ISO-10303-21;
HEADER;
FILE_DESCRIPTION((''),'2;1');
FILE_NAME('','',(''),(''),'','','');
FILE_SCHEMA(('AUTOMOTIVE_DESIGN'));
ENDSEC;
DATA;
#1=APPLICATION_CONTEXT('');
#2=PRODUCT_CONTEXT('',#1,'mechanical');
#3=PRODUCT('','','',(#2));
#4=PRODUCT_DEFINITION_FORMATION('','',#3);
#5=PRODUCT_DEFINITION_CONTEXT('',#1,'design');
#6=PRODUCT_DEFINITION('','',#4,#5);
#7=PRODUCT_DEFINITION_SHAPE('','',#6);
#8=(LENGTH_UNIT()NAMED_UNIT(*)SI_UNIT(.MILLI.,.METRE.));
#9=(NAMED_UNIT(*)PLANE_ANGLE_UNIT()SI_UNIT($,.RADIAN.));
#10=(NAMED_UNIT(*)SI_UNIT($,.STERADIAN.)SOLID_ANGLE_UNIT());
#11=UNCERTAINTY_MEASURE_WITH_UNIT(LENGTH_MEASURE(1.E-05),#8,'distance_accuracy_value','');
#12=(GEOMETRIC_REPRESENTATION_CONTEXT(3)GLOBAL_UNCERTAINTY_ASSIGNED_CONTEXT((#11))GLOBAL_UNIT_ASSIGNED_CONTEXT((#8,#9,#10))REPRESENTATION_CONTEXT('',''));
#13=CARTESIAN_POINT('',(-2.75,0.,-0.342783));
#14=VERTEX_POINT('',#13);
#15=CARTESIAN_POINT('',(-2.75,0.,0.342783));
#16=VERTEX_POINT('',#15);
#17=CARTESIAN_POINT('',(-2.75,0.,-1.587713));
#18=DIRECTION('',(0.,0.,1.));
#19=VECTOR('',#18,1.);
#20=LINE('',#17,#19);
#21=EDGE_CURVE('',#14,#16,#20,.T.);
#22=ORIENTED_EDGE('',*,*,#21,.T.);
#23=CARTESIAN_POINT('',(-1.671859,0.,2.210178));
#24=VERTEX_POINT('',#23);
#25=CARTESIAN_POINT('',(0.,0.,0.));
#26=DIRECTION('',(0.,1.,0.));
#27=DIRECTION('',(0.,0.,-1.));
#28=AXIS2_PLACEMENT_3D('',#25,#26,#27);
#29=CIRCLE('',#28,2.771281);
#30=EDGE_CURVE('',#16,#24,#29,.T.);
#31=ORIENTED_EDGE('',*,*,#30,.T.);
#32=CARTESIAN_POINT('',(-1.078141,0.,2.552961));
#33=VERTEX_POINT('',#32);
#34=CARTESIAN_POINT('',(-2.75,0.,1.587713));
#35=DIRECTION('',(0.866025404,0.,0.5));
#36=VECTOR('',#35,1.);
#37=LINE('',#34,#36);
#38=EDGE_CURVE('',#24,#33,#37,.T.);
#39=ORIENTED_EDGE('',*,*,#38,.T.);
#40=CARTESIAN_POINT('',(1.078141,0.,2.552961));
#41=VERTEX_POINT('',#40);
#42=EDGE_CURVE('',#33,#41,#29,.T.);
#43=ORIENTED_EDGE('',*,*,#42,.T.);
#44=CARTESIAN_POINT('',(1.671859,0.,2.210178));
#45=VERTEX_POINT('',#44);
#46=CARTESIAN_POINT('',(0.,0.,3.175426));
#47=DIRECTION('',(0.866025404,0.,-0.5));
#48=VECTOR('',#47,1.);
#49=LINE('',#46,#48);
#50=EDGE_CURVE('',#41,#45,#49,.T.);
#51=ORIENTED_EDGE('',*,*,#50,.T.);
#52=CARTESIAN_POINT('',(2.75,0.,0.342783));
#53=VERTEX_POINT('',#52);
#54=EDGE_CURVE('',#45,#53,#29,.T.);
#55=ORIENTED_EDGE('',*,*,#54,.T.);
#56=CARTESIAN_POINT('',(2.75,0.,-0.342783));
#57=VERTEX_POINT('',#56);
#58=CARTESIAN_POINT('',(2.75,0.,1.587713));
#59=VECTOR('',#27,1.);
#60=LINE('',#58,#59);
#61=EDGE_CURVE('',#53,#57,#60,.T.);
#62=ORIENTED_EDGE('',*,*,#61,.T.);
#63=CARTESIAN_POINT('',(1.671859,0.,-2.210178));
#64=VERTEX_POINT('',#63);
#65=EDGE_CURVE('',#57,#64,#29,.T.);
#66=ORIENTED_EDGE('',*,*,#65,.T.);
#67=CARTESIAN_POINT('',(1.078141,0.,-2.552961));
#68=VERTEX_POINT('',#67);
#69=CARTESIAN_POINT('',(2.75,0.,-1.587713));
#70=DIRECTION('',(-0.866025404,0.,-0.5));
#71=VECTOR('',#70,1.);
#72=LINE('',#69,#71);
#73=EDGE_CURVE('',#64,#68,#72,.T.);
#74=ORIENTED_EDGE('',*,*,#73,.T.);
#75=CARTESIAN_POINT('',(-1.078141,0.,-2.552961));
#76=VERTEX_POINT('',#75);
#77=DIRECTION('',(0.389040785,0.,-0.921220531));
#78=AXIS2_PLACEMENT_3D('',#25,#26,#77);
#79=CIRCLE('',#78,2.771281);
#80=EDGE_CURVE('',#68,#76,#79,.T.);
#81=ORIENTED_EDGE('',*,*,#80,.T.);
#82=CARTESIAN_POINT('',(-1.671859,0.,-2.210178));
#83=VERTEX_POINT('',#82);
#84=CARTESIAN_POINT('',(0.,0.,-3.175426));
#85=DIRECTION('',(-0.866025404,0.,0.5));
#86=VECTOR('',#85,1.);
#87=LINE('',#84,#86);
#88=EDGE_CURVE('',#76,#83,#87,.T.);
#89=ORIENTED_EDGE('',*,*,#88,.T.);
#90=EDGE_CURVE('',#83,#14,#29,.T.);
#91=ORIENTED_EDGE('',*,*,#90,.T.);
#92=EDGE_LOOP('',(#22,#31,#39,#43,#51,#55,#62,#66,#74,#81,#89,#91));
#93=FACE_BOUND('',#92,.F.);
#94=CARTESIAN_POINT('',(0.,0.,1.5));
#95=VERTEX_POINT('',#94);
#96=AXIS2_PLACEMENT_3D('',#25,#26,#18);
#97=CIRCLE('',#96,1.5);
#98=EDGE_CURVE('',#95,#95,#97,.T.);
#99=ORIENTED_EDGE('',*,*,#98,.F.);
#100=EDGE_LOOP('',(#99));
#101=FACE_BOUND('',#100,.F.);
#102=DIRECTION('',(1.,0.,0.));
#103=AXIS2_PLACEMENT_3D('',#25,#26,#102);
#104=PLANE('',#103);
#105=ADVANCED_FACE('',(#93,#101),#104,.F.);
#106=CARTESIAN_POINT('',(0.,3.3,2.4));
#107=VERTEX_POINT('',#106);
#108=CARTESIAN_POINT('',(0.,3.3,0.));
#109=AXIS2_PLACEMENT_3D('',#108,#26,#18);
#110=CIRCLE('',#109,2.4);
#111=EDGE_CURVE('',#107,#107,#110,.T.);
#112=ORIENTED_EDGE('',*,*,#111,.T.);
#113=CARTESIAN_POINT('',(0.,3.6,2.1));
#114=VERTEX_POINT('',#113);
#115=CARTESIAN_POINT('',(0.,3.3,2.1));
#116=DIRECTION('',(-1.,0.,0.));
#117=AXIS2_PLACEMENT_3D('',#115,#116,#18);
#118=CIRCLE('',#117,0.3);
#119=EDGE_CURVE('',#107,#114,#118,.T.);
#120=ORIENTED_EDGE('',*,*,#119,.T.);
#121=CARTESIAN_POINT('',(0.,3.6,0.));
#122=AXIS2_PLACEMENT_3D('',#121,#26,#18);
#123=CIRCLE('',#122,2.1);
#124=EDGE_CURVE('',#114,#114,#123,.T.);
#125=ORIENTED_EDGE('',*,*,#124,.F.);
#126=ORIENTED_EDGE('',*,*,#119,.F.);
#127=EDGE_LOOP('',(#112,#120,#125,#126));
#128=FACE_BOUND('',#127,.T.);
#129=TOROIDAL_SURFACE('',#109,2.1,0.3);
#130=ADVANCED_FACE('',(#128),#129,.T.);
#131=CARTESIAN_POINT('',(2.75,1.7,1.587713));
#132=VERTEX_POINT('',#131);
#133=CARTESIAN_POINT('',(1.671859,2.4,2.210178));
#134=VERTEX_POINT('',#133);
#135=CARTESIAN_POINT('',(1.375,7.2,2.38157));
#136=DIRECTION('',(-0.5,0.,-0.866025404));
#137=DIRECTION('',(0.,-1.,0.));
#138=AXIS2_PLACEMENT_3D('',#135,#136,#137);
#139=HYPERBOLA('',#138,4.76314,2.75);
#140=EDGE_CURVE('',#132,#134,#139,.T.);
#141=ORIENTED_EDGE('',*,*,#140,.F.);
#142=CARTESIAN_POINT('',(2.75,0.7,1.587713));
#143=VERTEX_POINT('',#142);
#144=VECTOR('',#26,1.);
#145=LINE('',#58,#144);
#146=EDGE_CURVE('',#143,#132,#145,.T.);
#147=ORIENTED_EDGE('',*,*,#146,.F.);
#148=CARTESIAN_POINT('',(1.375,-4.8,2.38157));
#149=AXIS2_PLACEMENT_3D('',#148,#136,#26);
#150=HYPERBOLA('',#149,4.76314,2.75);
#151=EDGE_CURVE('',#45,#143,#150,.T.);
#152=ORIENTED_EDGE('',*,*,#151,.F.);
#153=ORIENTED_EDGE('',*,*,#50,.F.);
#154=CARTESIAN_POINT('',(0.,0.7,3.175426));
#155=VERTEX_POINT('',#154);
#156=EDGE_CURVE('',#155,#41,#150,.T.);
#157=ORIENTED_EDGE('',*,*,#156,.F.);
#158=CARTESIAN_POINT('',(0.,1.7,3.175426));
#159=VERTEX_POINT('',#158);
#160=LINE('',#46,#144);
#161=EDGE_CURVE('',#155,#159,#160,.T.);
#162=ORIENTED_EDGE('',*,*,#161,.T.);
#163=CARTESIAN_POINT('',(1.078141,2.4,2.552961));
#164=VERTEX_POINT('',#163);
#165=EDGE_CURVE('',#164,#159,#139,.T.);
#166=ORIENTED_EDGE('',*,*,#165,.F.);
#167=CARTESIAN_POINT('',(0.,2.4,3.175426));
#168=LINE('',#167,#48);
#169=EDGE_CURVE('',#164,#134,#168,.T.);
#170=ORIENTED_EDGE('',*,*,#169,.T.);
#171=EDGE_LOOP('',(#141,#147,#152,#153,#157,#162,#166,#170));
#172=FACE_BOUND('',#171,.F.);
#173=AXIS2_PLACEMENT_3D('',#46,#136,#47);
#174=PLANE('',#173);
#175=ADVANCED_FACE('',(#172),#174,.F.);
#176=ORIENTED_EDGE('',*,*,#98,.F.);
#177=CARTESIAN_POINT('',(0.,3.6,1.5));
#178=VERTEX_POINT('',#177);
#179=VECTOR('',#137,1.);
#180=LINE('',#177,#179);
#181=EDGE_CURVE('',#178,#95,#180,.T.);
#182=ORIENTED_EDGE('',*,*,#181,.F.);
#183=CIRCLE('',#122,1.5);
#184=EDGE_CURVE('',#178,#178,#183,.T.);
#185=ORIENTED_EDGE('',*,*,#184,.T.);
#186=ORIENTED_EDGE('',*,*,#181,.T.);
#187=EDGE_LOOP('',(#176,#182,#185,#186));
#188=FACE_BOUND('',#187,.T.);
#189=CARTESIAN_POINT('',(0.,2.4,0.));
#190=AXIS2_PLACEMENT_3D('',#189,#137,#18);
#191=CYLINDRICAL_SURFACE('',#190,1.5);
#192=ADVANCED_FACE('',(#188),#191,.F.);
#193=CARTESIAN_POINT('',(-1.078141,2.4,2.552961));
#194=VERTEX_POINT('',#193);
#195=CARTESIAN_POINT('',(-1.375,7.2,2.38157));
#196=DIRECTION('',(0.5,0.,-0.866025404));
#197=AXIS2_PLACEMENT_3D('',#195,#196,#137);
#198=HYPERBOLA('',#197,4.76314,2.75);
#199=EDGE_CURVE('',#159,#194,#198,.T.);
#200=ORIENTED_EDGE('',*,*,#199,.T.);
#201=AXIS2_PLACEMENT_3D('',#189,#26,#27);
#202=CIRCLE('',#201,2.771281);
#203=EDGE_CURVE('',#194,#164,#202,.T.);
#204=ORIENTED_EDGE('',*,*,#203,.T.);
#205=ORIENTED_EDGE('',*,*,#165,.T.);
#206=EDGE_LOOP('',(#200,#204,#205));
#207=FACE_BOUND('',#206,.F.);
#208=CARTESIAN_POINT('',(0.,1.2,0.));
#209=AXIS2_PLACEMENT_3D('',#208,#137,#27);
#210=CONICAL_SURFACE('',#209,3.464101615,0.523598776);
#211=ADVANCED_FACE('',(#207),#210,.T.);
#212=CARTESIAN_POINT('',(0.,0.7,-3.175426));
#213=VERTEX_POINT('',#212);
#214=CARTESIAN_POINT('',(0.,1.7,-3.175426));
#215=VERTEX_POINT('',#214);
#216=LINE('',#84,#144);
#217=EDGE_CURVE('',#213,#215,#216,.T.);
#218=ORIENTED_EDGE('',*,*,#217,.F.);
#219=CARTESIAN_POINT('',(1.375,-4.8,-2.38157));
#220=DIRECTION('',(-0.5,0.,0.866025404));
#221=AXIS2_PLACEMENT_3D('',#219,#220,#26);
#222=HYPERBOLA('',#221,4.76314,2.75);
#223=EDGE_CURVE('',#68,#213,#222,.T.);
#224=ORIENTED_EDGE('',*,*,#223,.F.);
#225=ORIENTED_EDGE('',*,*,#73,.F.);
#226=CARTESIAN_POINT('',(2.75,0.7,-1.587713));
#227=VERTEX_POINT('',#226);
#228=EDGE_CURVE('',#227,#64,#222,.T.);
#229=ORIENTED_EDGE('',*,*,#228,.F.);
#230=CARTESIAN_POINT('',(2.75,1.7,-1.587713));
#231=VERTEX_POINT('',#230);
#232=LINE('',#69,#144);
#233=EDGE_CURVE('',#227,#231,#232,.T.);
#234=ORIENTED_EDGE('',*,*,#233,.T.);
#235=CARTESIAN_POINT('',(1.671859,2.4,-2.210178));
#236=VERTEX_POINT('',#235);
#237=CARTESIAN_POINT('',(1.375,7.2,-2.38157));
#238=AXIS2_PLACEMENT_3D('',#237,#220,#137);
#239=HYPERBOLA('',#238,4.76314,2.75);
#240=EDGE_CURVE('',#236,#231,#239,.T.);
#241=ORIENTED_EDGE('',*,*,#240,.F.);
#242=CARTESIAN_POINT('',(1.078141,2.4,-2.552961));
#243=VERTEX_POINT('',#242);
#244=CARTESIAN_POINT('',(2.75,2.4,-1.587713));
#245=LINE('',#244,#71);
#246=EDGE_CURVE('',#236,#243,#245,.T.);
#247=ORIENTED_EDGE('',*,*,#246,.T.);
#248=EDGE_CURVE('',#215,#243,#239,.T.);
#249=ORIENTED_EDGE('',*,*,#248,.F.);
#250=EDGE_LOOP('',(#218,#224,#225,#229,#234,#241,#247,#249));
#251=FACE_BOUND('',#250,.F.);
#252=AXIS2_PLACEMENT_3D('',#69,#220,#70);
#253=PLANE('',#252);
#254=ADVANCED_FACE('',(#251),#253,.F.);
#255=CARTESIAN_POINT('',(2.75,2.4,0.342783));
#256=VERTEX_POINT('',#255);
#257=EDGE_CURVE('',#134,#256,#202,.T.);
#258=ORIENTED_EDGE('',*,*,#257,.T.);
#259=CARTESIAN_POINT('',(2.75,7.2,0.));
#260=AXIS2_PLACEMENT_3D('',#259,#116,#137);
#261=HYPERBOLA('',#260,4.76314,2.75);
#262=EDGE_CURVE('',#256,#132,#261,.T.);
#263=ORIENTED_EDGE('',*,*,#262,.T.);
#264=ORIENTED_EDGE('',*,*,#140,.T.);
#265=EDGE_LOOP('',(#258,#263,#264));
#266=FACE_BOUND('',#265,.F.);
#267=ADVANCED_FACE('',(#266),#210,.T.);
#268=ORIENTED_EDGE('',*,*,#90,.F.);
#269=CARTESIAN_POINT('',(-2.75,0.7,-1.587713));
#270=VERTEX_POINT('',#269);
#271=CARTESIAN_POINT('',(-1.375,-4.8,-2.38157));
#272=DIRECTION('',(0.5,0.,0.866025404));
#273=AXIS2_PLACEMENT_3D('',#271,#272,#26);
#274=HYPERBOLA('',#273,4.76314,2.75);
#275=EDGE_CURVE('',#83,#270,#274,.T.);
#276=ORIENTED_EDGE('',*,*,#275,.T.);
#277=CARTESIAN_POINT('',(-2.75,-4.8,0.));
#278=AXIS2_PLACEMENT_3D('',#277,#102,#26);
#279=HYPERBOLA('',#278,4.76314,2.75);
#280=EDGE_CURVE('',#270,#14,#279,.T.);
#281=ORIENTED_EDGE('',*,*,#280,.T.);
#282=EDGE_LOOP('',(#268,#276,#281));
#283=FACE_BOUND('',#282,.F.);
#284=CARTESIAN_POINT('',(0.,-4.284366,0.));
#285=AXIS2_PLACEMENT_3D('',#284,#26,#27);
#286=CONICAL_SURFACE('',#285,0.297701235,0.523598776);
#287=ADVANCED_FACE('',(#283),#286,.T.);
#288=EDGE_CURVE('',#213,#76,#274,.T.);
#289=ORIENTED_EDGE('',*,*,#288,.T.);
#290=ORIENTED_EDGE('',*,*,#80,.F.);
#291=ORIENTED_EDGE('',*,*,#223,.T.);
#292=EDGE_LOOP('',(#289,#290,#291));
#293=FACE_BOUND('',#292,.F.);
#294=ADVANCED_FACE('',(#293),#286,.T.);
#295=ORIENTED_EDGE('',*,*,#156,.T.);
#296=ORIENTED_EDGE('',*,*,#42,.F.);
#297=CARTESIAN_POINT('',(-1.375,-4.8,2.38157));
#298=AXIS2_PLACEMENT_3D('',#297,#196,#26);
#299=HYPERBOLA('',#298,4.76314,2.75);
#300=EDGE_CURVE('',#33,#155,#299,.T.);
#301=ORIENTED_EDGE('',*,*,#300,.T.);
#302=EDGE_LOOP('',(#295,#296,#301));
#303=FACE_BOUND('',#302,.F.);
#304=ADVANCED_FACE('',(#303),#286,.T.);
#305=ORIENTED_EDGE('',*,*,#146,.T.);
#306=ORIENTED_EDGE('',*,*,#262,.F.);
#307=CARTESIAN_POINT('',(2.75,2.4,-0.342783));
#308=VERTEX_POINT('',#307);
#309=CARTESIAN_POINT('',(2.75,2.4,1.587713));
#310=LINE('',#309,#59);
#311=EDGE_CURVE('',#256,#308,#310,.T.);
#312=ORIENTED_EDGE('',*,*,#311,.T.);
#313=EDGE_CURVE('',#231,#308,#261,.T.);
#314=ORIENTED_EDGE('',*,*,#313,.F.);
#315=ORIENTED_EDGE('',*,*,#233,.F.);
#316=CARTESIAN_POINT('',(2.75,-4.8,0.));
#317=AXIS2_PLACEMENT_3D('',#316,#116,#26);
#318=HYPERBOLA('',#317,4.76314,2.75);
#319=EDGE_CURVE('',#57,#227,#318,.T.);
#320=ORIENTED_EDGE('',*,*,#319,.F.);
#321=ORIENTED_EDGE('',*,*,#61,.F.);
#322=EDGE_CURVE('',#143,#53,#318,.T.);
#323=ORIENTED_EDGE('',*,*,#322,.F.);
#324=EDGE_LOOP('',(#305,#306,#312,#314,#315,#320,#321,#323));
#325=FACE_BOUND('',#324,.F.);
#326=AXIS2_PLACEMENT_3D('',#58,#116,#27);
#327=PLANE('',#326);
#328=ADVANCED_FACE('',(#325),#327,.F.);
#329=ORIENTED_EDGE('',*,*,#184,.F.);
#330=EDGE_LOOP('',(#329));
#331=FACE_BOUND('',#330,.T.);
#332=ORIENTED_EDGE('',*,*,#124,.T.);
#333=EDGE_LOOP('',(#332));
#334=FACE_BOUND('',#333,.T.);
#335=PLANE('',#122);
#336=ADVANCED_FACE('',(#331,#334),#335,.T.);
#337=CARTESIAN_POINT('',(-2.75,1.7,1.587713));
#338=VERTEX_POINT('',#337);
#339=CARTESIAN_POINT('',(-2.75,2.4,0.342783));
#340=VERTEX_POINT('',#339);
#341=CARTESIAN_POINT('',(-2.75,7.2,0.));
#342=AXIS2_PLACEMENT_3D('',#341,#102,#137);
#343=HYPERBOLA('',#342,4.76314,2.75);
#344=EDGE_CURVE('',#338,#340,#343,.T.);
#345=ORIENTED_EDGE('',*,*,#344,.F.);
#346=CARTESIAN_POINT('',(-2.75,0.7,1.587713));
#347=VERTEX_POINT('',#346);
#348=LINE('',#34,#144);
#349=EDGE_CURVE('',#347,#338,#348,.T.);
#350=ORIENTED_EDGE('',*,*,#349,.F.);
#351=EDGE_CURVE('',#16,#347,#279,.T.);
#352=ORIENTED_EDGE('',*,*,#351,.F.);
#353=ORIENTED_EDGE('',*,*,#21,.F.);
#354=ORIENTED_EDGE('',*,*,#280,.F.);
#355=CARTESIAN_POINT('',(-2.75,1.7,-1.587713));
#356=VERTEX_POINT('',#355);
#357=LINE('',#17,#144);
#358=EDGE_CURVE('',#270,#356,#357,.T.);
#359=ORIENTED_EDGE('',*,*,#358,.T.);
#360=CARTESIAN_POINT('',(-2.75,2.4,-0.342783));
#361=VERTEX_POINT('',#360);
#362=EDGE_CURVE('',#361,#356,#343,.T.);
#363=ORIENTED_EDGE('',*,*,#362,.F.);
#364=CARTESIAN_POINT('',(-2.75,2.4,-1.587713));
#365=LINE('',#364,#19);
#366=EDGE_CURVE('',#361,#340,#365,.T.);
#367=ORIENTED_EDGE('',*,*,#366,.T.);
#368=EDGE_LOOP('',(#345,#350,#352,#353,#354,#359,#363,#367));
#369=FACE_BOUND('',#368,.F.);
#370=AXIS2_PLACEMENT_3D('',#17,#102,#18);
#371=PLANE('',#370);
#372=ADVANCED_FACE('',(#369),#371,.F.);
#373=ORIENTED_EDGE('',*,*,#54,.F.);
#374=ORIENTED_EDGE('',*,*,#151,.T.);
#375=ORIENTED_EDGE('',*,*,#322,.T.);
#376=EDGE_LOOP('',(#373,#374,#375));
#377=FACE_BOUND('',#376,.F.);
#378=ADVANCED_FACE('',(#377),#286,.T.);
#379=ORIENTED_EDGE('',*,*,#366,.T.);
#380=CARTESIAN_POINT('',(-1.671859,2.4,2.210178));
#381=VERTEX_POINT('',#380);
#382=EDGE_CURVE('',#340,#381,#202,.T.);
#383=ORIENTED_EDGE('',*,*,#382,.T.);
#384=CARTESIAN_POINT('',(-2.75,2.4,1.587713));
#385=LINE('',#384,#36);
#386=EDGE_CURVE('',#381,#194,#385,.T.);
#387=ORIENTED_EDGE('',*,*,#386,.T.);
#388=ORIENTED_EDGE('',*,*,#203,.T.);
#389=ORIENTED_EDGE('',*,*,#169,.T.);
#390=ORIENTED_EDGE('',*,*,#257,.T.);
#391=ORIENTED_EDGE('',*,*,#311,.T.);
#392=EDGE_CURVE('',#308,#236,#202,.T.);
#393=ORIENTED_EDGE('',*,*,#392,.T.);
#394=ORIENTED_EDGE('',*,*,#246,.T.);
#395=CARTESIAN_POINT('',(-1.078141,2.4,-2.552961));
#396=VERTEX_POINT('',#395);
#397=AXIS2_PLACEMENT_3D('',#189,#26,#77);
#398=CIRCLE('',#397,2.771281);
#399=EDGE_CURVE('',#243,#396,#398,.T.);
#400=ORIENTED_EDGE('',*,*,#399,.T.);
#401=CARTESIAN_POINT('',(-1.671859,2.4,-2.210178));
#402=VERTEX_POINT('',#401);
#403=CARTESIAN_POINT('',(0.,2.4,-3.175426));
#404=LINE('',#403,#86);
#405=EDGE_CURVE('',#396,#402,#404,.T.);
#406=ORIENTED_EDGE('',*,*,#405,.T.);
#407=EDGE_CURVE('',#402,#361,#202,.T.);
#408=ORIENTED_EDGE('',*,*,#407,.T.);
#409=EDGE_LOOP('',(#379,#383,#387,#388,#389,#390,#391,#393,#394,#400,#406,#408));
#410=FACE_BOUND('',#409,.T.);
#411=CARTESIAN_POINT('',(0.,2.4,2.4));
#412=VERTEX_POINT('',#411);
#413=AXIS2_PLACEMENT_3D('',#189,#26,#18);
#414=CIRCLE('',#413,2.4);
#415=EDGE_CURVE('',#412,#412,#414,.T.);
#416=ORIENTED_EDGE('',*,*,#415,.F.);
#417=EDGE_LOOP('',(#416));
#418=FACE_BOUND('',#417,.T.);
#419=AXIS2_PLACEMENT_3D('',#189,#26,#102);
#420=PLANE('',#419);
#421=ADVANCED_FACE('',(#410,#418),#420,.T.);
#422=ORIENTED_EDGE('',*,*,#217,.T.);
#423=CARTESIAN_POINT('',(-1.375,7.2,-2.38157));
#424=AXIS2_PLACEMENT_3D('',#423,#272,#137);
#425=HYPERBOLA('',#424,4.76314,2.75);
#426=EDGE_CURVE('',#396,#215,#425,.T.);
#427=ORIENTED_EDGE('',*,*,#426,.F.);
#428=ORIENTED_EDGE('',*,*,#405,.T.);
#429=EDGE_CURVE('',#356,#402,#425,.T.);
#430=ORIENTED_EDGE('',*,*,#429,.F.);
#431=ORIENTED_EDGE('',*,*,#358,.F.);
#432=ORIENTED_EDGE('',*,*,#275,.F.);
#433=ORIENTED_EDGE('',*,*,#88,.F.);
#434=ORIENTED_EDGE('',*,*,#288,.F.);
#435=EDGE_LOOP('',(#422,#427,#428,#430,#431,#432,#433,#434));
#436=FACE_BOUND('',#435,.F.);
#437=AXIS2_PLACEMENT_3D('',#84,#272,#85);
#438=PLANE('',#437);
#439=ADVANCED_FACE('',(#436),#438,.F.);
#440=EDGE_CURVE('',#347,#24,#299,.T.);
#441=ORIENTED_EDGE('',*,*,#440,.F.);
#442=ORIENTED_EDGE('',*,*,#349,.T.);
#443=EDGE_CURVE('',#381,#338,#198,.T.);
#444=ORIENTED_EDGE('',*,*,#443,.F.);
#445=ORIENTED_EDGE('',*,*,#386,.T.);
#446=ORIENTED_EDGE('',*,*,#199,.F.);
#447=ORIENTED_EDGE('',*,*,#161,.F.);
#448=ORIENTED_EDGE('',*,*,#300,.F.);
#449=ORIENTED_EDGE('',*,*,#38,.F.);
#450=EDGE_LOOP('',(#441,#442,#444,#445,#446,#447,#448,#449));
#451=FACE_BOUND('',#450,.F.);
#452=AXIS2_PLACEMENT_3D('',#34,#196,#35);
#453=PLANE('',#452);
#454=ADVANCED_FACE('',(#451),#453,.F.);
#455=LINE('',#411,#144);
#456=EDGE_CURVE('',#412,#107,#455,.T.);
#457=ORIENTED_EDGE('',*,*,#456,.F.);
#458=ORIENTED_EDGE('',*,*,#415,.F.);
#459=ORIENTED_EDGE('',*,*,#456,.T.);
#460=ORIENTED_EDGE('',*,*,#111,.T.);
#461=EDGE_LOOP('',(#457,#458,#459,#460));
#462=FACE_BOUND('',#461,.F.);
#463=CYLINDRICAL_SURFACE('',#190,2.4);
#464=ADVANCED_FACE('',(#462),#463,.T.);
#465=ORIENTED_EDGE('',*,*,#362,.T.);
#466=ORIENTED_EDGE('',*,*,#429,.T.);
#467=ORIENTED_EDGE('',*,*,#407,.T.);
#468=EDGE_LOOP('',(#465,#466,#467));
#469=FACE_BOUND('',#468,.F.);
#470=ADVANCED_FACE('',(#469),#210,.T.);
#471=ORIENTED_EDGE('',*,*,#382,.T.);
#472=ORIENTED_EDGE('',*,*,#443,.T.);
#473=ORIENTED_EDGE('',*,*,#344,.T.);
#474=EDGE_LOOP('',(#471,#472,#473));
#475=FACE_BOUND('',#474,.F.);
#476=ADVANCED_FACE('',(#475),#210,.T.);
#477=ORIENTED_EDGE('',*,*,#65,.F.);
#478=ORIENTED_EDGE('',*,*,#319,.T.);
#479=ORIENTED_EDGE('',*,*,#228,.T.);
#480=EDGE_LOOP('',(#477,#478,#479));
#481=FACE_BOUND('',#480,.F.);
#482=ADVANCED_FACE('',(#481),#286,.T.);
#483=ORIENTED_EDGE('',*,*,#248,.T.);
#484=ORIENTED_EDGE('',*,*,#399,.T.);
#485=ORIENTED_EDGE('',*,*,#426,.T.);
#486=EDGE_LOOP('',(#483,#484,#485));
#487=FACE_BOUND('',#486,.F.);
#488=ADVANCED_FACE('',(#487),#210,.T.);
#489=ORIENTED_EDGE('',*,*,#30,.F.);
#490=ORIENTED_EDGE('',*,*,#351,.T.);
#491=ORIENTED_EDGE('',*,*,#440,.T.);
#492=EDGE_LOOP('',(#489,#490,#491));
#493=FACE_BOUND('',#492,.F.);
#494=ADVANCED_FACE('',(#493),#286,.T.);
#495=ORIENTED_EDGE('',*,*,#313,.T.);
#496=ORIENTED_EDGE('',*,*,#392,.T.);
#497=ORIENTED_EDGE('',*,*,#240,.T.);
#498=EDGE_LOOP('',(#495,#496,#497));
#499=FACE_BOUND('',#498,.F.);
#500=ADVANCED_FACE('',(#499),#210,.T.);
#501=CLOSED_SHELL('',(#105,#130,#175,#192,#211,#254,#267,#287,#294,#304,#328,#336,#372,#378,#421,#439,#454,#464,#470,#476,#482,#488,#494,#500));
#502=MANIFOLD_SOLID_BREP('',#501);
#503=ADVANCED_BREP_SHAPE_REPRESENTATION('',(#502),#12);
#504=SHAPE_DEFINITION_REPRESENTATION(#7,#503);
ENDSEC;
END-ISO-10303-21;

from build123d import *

# Parameters (mm, degrees)
SKETCH_1_R      = 1.5
EXTRUDE_1_DEPTH = 2.4
SKETCH_4_R      = 2.4
SKETCH_4_R_2    = 1.5
EXTRUDE_3_DEPTH = 1.2
FILLET_5_R      = 0.3


with BuildPart() as part:
    # 草图1 → 凸台-拉伸1 (new body)
    with BuildSketch(Plane(origin=(0, 0, 0), x_dir=(1, 0, 0), z_dir=(0, 1, 0))):
        Polygon((0, 3.175426481), (-2.75, 1.58771324), (-2.75, -1.58771324), (0, -3.175426481), (2.75, -1.58771324), (2.75, 1.58771324), align=None)
        with Locations(Location((0, 0, 0), (0, 0, 270))):
            Circle(SKETCH_1_R, mode=Mode.SUBTRACT)
    extrude(amount=EXTRUDE_1_DEPTH)

    # 草图3 → 切除-旋转7 (revolve, cut)
    with BuildSketch(Plane(origin=(0, 0, 0), x_dir=(0, 0, -1), z_dir=(1, 0, 0))):
        Polygon((0.384303775, 7.2), (4.083483307, 7.2), (4.083483307, -4.8), (0.297701235, -4.8), (0.297701235, -4.284366336), (3.464101615, 1.2), (0.384303775, 6.534366336), align=None)
    revolve(axis=Axis((0, 2.4, 0), (0, -1, 0)), mode=Mode.SUBTRACT)

    # 草图4 → 凸台-拉伸3 (add)
    with BuildSketch(Plane(origin=(0, 2.4, 0), x_dir=(1, 0, 0), z_dir=(0, 1, 0))):
        with Locations(Location((0, 0, 0), (0, 0, 270))):
            Circle(SKETCH_4_R)
        with Locations(Location((0, 0, 0), (0, 0, 270))):
            Circle(SKETCH_4_R_2, mode=Mode.SUBTRACT)
    extrude(amount=EXTRUDE_3_DEPTH)

    # 圆角5
    fillet_5_edges = [part.edges().sort_by_distance(p)[0] for p in [
        (0, 3.6, -2.4),
    ]]
    fillet(fillet_5_edges, radius=FILLET_5_R)


solid = part.part
